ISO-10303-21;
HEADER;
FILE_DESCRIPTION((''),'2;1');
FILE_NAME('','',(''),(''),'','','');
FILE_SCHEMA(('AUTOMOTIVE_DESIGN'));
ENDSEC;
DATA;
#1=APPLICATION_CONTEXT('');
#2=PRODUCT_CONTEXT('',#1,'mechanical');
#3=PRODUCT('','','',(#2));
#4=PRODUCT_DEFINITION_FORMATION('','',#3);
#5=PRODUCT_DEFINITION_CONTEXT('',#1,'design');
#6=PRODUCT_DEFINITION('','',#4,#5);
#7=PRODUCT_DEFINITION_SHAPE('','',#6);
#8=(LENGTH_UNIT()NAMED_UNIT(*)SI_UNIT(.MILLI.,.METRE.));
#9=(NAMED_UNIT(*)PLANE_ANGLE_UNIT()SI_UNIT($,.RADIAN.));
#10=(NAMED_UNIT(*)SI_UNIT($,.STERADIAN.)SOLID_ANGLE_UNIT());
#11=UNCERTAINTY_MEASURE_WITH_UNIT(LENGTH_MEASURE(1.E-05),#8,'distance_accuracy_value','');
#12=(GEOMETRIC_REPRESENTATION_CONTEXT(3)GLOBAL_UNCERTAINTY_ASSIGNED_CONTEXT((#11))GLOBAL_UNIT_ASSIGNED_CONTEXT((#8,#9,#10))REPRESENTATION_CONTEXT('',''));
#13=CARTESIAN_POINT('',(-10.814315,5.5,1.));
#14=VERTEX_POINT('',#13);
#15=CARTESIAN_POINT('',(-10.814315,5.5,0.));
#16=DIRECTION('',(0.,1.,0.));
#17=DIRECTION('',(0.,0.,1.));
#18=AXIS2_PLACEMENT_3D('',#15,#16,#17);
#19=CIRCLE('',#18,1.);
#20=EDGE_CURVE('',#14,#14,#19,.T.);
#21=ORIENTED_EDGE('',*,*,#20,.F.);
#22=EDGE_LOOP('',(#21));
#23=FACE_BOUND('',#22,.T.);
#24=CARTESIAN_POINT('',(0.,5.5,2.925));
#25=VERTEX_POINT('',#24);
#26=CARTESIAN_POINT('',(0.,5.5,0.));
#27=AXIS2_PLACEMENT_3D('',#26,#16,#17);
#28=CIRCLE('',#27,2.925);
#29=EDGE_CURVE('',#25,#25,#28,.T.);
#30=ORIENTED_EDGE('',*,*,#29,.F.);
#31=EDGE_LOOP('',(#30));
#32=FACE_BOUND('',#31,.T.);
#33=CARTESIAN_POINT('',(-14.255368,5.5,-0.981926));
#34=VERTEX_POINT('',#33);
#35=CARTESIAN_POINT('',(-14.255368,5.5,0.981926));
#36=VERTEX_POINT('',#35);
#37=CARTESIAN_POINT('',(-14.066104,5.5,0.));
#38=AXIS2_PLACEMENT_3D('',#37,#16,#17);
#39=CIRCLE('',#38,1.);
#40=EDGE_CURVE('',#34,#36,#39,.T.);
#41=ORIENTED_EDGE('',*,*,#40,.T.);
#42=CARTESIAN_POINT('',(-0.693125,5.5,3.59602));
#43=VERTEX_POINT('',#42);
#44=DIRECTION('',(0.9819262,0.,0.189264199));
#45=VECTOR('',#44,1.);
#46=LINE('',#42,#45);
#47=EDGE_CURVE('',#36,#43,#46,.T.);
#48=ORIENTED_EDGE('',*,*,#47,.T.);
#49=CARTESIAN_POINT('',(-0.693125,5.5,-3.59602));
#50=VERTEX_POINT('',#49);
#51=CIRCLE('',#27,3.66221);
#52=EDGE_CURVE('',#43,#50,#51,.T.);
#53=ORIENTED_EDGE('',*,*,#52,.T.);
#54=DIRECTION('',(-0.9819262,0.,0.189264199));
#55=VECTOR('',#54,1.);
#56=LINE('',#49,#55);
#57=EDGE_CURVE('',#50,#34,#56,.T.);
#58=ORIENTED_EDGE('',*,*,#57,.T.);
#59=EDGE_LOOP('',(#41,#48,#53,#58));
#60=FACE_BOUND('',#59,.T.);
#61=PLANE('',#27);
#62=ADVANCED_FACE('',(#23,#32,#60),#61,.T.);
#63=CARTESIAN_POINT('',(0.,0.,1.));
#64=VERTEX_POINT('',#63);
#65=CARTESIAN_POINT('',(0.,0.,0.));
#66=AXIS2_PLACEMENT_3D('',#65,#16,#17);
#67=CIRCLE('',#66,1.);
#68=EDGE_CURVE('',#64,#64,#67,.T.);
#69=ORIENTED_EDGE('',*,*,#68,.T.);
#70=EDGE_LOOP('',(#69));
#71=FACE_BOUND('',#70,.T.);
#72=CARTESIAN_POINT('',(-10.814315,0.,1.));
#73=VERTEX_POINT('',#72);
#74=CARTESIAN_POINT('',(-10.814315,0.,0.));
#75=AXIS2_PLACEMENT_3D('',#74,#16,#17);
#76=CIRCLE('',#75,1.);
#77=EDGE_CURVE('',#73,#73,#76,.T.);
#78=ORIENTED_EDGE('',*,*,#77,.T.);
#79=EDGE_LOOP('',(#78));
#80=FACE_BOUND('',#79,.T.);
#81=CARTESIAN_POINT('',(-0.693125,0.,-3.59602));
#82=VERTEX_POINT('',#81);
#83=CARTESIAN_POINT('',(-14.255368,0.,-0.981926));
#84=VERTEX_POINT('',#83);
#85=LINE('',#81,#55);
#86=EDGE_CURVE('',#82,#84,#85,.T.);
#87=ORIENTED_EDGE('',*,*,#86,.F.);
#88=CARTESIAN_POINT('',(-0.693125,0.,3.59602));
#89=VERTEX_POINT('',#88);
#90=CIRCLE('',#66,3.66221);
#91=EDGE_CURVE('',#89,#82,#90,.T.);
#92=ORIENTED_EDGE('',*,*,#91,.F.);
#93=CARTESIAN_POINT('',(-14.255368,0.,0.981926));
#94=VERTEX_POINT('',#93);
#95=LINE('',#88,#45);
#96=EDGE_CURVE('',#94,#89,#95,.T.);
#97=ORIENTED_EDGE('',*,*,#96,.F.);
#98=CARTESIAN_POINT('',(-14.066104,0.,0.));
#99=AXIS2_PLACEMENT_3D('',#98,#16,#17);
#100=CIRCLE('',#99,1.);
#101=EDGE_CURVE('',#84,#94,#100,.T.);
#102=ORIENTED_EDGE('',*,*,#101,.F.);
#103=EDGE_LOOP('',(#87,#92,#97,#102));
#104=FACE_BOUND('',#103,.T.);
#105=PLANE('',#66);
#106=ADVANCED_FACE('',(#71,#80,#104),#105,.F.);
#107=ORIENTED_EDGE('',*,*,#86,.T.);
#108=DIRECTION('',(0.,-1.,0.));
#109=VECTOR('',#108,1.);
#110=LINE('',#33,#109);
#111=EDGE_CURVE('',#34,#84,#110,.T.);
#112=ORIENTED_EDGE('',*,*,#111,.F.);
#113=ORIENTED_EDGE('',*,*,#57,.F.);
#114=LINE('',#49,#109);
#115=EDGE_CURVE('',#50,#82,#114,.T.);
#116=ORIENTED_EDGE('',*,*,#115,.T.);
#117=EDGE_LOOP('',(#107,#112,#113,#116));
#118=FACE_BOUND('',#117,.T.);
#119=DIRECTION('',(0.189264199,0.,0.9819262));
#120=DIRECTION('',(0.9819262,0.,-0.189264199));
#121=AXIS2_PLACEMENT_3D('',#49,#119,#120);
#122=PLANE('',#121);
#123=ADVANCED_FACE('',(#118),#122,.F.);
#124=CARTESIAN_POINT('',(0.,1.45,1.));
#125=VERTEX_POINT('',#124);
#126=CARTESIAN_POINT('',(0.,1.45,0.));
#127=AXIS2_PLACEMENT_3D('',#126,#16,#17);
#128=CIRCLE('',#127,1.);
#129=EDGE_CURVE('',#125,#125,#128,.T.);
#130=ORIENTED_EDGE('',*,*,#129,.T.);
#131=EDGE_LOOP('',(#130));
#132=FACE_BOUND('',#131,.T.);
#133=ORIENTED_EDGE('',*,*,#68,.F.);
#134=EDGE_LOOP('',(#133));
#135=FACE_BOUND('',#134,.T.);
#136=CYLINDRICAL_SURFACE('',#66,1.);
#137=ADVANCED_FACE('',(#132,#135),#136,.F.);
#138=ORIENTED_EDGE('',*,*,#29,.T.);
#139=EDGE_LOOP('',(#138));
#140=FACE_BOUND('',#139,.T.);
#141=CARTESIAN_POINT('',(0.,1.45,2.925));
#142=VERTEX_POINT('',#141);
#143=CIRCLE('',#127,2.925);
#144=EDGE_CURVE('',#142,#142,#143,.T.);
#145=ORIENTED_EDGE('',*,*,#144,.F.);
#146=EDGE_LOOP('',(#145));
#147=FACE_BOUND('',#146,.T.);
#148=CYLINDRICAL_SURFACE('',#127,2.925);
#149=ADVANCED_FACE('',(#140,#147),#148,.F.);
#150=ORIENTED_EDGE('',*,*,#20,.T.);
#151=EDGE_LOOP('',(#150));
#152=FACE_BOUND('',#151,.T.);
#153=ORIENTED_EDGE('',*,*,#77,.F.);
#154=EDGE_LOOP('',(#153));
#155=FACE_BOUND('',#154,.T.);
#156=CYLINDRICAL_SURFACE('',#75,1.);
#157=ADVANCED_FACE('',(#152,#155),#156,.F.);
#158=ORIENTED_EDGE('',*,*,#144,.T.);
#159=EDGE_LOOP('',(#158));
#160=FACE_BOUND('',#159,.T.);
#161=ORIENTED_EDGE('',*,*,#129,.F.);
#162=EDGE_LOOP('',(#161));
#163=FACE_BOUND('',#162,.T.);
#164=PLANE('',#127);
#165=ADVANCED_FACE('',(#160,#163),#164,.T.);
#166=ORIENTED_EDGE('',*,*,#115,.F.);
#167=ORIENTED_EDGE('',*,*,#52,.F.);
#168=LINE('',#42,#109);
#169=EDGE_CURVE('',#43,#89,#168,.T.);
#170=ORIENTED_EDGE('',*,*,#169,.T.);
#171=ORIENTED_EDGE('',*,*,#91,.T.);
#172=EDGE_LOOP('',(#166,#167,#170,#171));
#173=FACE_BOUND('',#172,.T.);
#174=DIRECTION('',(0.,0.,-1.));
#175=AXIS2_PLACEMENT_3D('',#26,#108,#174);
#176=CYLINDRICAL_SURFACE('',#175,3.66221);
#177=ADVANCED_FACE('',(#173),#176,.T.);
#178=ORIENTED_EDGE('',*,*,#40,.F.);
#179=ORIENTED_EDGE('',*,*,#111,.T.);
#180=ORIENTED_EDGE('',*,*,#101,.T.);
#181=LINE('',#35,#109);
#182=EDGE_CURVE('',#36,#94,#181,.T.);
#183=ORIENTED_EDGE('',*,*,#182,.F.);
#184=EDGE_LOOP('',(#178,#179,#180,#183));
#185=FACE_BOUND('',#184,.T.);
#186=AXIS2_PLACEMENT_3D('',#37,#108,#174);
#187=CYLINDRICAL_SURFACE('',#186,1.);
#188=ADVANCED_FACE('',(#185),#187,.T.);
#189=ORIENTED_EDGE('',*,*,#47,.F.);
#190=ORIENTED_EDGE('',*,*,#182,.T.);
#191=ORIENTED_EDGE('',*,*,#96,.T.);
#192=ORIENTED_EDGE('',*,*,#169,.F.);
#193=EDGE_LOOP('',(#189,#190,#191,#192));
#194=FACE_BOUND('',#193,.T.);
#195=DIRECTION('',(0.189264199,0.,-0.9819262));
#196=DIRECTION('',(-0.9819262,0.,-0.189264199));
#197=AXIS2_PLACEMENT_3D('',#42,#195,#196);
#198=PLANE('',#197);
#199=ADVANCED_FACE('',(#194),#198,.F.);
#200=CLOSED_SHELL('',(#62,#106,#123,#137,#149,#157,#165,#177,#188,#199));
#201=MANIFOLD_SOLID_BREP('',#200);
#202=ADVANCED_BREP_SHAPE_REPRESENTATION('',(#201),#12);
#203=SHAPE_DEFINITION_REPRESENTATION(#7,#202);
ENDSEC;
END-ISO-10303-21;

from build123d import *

# Parameters (mm, degrees)
EXTRUDE_4_DEPTH      = 5.5
SKETCH_8_R           = 2.925
CUT_EXTRUDE_8_DEPTH  = 4.05
SKETCH_9_R           = 1
CUT_EXTRUDE_9_DEPTH  = 17.451421165
SKETCH_10_R          = 1
CUT_EXTRUDE_10_DEPTH = 17.025035362


with BuildPart() as part:
    # 草图1 → 凸台-拉伸4 (new body)
    with BuildSketch(Plane(origin=(0, 0, 0), x_dir=(1, 0, 0), z_dir=(0, 1, 0))):
        with BuildLine():
            ThreePointArc((3.662209834, 0), (2.331674388, 2.824017602), (-0.693125212, 3.596019787))
            Line((-0.693125212, 3.596019787), (-0.693125212, 0))
            Line((-0.693125212, 0), (3.662209834, 0))
        make_face()
        with BuildLine():
            Line((-0.693125212, 0), (-0.693125212, 3.596019787))
            ThreePointArc((-0.693125212, 3.596019787), (-2.824017602, 2.331674388), (-3.662209834, 0))
            Line((-3.662209834, 0), (-0.693125212, 0))
        make_face()
        with BuildLine():
            Line((3.662209834, 0), (-0.693125212, 0))
            Line((-0.693125212, 0), (-0.693125212, -3.596019787))
            ThreePointArc((-0.693125212, -3.596019787), (2.331674388, -2.824017602), (3.662209834, 0))
        make_face()
        with BuildLine():
            Line((-0.693125212, -3.596019787), (-0.693125212, 0))
            Line((-0.693125212, 0), (-3.662209834, 0))
            ThreePointArc((-3.662209834, 0), (-2.824017602, -2.331674388), (-0.693125212, -3.596019787))
        make_face()
        with BuildLine():
            ThreePointArc((-3.662209834, 0), (-2.824017602, 2.331674388), (-0.693125212, 3.596019787))
            Line((-0.693125212, 3.596019787), (-14.255367792, 0.9819262))
            ThreePointArc((-14.255367792, 0.9819262), (-15.066103593, 0), (-14.255367792, -0.9819262))
            Line((-14.255367792, -0.9819262), (-0.693125212, -3.596019787))
            ThreePointArc((-0.693125212, -3.596019787), (-2.824017602, -2.331674388), (-3.662209834, 0))
        make_face()
    extrude(amount=EXTRUDE_4_DEPTH)

    # 草图8 → 切除-拉伸8 (cut)
    with BuildSketch(Plane(origin=(0, 5.5, 0), x_dir=(1, 0, 0), z_dir=(0, 1, 0))):
        with Locations(Location((0, 0, 0), (0, 0, 270))):
            Circle(SKETCH_8_R)
    extrude(amount=-CUT_EXTRUDE_8_DEPTH, mode=Mode.SUBTRACT)

    # 草图9 → 切除-拉伸9 (cut, through all)
    with BuildSketch(Plane(origin=(0, 5.5, 0), x_dir=(1, 0, 0), z_dir=(0, 1, 0))):
        with Locations(Location((-10.814314949, 0, 0), (0, 0, 270))):
            Circle(SKETCH_9_R)
    extrude(amount=-CUT_EXTRUDE_9_DEPTH, mode=Mode.SUBTRACT)

    # 草图10 → 切除-拉伸10 (cut, through all)
    with BuildSketch(Plane(origin=(0, 1.45, 0), x_dir=(1, 0, 0), z_dir=(0, 1, 0))):
        with Locations(Location((0, 0, 0), (0, 0, 270))):
            Circle(SKETCH_10_R)
    extrude(amount=-CUT_EXTRUDE_10_DEPTH, mode=Mode.SUBTRACT)


solid = part.part
